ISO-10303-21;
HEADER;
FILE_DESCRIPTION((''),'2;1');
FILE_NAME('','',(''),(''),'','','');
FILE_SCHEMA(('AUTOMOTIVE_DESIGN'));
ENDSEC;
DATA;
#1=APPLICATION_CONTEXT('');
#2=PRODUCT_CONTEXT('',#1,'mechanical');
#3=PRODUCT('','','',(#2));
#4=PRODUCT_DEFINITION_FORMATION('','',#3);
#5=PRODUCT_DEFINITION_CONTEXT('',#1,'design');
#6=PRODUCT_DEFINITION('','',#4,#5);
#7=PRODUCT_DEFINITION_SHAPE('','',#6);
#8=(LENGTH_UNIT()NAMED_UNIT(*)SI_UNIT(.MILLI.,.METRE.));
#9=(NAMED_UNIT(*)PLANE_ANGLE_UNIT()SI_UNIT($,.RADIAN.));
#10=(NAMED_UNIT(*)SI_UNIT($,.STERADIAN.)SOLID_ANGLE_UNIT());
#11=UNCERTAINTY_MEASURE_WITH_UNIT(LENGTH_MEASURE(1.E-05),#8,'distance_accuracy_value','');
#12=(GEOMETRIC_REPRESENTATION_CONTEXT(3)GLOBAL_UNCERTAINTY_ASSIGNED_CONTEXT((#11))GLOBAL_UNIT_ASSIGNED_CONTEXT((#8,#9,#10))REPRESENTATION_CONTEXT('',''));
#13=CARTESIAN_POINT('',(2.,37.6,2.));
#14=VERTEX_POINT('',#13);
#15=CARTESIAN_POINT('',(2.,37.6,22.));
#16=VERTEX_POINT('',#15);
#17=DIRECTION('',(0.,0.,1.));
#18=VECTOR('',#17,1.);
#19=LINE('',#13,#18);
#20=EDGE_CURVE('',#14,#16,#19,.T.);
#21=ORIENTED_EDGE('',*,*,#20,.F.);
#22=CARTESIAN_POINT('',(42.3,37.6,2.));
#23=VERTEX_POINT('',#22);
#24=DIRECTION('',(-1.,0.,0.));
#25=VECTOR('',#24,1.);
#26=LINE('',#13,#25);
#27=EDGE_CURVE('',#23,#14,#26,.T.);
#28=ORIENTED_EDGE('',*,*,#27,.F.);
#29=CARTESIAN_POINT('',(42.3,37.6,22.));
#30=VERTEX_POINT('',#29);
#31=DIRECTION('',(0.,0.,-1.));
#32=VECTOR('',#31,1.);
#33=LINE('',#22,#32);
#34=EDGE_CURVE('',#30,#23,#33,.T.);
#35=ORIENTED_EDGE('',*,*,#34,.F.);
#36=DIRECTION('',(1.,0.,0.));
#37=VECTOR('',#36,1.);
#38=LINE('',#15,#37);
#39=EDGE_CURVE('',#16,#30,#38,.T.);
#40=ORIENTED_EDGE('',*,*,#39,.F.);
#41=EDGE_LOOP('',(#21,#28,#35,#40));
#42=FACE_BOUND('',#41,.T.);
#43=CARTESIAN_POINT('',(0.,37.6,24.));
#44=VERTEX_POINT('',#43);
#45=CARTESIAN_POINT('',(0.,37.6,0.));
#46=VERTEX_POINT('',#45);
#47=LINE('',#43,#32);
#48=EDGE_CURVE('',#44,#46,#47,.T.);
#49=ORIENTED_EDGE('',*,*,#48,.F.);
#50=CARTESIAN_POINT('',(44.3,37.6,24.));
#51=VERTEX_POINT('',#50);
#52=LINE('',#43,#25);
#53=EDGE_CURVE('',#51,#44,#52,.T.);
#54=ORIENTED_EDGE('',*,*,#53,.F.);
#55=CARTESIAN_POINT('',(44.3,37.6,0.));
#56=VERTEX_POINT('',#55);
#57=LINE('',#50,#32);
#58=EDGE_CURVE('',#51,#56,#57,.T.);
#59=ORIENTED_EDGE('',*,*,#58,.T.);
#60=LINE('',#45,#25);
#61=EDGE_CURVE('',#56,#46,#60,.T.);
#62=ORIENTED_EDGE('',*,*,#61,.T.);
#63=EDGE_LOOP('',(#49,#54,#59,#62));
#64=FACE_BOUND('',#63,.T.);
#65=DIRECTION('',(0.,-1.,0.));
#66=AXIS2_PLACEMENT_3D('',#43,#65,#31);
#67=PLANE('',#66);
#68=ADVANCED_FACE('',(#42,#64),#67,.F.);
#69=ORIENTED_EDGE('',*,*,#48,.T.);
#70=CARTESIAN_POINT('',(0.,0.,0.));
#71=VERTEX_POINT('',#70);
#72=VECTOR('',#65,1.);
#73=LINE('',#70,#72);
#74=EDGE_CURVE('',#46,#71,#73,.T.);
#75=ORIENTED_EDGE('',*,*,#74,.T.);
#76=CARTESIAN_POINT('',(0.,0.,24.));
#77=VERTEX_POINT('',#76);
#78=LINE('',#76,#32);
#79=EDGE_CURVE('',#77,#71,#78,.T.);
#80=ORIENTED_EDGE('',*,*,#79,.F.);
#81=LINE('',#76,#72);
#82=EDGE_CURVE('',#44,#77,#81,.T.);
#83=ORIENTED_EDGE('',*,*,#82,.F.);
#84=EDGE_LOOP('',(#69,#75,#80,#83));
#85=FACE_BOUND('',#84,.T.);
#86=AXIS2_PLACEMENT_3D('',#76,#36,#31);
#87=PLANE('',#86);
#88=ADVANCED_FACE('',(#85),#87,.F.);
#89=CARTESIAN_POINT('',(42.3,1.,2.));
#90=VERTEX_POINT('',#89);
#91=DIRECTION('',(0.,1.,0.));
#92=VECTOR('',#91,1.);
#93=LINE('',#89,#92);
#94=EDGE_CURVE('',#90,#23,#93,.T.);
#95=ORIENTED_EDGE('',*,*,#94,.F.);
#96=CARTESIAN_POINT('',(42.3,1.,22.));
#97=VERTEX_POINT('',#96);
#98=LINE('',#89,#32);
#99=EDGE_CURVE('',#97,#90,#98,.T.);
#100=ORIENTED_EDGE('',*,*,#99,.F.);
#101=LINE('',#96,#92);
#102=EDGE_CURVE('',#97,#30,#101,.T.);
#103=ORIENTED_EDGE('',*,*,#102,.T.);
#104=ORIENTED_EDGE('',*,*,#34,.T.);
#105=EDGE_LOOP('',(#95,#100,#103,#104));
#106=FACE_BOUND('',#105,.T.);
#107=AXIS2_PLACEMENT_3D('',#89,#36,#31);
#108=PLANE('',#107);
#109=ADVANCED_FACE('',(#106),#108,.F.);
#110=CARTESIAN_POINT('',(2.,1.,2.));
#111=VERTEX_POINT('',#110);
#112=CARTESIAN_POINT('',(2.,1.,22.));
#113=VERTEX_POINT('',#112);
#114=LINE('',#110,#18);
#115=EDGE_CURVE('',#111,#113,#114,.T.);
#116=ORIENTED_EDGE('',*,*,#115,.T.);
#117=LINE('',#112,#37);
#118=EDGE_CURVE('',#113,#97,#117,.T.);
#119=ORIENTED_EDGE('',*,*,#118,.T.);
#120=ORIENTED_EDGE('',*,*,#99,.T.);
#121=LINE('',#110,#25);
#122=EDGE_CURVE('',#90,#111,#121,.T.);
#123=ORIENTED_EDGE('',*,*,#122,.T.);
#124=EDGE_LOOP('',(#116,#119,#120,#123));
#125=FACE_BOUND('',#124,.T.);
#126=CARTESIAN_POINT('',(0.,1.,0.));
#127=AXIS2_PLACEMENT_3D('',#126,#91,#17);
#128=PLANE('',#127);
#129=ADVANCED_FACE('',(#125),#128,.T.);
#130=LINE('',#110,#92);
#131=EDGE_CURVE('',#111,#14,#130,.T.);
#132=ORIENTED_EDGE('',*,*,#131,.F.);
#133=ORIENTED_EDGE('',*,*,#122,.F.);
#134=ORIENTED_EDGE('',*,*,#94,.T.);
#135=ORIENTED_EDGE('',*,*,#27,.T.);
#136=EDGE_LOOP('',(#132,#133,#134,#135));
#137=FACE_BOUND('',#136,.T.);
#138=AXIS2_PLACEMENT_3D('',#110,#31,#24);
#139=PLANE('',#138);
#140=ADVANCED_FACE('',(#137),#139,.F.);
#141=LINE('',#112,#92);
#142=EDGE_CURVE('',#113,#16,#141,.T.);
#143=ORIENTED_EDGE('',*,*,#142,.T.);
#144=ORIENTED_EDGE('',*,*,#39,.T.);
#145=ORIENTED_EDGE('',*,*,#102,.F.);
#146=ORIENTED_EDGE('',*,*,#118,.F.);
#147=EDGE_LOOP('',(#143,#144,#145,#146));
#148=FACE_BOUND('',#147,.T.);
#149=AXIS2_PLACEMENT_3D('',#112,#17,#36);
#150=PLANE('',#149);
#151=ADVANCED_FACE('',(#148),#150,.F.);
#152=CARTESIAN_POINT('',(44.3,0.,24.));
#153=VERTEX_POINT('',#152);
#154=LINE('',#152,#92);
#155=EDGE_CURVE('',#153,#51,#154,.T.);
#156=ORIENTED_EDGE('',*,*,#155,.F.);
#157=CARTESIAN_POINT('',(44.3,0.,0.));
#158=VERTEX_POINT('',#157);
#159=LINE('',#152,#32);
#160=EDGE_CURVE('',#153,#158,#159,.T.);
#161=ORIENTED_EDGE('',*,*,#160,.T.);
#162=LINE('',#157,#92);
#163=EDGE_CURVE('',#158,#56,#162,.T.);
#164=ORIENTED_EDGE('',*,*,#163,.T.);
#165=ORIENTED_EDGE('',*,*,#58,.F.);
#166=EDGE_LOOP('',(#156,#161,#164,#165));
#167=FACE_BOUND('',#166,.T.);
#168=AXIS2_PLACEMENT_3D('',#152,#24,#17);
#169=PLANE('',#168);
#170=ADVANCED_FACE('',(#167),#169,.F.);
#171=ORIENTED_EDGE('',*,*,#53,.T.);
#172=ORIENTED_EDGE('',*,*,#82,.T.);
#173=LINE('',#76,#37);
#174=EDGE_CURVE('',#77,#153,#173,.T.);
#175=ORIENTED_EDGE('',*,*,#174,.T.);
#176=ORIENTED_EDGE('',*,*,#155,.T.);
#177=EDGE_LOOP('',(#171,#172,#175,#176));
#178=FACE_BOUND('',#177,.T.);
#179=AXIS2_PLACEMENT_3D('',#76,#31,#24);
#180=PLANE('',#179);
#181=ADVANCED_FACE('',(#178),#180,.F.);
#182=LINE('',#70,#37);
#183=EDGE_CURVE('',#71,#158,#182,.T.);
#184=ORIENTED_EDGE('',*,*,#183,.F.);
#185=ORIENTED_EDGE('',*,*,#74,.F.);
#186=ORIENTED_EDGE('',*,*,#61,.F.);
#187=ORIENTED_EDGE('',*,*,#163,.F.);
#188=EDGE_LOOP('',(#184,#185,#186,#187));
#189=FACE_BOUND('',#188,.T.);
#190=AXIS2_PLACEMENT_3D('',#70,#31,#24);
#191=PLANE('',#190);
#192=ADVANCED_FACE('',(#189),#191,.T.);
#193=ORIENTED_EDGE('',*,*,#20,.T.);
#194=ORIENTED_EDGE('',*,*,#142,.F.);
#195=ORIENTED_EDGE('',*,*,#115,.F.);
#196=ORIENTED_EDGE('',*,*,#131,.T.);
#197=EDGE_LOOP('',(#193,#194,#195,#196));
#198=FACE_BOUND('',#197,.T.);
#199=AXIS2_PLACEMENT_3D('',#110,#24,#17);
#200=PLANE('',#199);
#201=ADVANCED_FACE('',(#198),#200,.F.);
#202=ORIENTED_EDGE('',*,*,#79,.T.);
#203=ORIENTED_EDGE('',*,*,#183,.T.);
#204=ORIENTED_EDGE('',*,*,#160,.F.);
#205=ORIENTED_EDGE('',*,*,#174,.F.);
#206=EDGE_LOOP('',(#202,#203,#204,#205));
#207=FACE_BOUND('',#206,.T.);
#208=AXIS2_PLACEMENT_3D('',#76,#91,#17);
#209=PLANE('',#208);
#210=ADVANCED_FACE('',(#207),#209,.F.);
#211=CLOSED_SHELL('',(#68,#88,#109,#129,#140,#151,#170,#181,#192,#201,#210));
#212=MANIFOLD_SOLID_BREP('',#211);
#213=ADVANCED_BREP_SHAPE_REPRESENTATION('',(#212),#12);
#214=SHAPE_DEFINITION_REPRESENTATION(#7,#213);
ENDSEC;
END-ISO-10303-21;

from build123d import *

# Parameters (mm, degrees)
SKETCH_1_W          = 44.3
SKETCH_1_H          = 37.6
EXTRUDE_1_DEPTH     = 24
SKETCH_2_W          = 40.3
SKETCH_2_H          = 20
CUT_EXTRUDE_1_DEPTH = 36.6


with BuildPart() as part:
    # 草图1 → 凸台-拉伸1 (new body)
    with BuildSketch(Plane.XY):
        with Locations((22.15, 18.8)):
            Rectangle(SKETCH_1_W, SKETCH_1_H)
    extrude(amount=EXTRUDE_1_DEPTH)

    # 草图2 → 切除-拉伸1 (cut)
    with BuildSketch(Plane(origin=(0, 37.6, 0), x_dir=(1, 0, 0), z_dir=(0, 1, 0))):
        with Locations((22.15, -12)):
            Rectangle(SKETCH_2_W, SKETCH_2_H)
    extrude(amount=-CUT_EXTRUDE_1_DEPTH, mode=Mode.SUBTRACT)


solid = part.part
